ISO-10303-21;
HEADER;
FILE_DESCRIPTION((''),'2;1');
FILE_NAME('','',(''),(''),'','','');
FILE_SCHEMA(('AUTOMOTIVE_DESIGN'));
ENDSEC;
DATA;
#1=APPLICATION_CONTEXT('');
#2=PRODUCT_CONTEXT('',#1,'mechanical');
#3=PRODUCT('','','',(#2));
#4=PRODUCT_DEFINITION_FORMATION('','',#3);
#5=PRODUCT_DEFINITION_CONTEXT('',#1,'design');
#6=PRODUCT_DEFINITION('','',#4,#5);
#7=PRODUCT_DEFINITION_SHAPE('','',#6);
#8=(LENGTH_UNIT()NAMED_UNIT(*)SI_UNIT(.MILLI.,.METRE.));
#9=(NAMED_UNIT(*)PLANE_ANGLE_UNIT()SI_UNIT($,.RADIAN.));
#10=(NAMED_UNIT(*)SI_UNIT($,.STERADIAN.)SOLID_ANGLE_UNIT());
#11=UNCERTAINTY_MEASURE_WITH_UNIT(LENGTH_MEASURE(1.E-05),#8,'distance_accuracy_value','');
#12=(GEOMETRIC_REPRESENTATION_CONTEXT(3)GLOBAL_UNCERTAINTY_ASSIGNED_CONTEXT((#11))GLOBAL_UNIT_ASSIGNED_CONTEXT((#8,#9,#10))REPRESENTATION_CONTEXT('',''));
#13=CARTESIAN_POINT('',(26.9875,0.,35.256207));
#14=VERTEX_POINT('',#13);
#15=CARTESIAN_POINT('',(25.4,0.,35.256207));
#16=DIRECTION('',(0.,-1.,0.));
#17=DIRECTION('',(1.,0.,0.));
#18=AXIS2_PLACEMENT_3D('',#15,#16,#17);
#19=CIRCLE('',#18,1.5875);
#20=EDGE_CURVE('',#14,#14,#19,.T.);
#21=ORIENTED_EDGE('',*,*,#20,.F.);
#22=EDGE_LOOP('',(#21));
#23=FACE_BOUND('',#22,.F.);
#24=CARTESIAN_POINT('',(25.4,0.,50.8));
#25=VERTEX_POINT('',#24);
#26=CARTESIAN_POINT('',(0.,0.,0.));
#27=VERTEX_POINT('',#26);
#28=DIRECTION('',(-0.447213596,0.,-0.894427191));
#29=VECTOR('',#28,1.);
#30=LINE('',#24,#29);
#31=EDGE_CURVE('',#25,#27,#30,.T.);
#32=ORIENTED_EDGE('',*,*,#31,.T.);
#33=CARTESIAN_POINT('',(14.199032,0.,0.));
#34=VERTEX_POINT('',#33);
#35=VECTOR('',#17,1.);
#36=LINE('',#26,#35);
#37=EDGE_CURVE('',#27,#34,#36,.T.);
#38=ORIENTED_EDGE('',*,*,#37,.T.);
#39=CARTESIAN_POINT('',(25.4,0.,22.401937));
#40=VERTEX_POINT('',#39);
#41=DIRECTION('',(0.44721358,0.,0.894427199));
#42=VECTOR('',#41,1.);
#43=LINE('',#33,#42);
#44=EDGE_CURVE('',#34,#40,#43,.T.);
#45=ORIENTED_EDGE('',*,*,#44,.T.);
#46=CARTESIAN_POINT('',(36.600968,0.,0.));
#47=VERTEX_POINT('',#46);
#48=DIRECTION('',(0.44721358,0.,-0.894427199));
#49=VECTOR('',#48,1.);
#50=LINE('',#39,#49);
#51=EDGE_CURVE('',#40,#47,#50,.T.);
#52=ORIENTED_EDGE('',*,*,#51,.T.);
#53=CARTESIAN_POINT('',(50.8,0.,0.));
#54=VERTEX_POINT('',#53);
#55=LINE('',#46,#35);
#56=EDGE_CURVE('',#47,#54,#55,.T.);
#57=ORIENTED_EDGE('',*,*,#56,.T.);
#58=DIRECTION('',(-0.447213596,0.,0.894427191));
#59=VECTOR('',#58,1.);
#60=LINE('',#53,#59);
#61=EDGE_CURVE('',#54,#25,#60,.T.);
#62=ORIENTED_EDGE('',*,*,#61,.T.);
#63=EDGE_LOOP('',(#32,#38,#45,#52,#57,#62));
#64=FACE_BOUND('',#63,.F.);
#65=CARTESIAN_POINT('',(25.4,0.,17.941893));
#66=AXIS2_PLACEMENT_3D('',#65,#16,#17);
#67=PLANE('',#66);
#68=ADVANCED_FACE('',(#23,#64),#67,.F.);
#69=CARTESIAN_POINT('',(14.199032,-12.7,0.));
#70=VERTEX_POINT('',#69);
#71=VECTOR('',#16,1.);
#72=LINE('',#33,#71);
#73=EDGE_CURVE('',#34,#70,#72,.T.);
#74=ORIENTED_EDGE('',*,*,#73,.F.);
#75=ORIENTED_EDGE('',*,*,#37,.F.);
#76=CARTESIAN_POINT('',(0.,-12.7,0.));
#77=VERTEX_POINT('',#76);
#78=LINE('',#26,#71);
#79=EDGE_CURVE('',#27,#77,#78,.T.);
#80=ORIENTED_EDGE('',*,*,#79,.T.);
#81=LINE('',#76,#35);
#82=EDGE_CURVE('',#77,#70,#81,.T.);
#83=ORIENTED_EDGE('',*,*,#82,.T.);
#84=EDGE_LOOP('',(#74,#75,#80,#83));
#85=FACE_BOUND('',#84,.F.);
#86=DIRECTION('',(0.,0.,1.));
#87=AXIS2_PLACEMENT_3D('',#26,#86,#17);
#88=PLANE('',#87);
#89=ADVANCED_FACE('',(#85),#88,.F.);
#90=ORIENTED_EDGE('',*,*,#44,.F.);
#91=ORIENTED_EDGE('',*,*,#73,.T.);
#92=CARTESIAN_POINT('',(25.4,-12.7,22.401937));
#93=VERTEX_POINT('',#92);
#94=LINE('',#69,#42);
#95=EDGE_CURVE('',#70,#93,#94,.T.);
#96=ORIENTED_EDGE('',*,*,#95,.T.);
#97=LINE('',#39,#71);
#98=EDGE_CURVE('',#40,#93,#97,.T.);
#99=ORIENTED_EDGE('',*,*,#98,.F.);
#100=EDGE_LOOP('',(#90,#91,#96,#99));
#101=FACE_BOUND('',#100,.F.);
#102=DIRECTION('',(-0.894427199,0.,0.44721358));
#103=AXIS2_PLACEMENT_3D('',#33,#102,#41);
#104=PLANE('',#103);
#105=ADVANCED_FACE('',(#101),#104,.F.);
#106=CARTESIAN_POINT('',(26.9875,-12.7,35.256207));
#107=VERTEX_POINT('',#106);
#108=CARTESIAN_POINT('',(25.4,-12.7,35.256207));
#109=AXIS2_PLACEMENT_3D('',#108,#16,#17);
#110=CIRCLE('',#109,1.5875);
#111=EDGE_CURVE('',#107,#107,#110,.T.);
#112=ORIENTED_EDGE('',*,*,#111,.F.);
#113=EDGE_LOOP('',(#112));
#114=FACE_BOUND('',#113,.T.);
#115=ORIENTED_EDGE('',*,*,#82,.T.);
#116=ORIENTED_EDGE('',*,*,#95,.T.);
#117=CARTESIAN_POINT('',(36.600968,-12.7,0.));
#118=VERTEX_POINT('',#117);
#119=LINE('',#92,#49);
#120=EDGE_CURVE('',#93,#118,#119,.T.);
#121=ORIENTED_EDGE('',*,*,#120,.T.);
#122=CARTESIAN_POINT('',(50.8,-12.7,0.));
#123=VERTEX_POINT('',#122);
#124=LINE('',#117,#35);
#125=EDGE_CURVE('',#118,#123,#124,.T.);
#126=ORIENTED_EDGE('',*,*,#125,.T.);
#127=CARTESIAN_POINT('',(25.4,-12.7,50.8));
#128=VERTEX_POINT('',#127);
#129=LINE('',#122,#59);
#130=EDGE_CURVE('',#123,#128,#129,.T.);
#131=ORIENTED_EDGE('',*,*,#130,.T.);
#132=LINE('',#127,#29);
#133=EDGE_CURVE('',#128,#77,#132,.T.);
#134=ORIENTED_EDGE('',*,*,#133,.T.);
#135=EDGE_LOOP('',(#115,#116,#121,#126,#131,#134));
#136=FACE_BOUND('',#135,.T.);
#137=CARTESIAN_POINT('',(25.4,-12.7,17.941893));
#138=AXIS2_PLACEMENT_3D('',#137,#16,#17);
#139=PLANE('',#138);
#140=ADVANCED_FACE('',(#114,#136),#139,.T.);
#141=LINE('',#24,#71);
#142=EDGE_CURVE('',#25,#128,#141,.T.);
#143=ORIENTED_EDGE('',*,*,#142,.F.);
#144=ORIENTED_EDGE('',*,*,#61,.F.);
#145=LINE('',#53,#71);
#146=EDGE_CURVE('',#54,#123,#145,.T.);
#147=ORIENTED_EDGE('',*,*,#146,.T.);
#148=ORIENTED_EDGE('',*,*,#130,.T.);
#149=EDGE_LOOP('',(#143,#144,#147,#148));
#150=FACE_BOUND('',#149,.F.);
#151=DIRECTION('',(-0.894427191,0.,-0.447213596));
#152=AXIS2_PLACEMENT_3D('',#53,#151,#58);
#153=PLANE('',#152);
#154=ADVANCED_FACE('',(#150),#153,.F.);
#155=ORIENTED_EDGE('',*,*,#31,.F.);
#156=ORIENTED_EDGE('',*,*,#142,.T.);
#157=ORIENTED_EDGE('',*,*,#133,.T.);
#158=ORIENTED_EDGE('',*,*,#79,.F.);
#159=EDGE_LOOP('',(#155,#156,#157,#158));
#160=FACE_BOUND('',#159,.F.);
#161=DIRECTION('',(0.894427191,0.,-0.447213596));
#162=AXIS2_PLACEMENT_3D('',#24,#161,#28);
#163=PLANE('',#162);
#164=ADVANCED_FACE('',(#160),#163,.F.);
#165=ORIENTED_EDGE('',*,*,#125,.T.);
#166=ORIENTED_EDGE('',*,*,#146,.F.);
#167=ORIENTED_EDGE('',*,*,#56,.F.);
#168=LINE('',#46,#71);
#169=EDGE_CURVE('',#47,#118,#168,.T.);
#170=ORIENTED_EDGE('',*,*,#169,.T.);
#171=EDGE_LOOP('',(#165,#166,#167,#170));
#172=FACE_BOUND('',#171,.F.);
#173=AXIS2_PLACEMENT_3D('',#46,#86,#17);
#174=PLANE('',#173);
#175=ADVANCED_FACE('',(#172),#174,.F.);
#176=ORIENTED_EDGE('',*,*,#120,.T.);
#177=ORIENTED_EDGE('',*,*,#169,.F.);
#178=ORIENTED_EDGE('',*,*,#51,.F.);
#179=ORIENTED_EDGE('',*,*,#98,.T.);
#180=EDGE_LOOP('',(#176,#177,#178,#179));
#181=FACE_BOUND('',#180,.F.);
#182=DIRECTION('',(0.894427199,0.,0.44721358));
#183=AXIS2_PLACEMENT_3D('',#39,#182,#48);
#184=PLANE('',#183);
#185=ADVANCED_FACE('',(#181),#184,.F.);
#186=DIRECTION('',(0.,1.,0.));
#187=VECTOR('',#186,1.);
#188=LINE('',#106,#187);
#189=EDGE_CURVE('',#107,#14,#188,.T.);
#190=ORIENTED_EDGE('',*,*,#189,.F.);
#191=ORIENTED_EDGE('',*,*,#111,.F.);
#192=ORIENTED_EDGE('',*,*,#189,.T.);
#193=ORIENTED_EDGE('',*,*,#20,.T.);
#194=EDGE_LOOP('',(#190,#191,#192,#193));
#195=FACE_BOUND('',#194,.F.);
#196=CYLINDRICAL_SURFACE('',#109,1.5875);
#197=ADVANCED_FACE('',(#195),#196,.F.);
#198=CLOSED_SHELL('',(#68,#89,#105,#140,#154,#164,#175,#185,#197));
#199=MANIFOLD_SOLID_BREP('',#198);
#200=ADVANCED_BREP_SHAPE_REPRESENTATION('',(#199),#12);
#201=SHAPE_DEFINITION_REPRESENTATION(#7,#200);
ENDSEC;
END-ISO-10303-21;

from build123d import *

# Parameters (mm, degrees)
F1_DEPTH = 12.7
F2_R     = 1.5875
F3_DEPTH = 25.4


with BuildPart() as f1:
    # F0 (on Front) → F1 (new body)
    with BuildSketch(Plane.XZ):
        Polygon((25.4, 50.8), (0, 0), (14.199032, 0), (25.4, 22.401937), (36.600968, 0), (50.8, 0), align=None)
    extrude(amount=F1_DEPTH)

    # F2 (on face) → F3 (cut)
    with BuildSketch(Plane.XZ.offset(12.7)):
        with Locations((25.4, 35.256207)):
            Circle(F2_R)
    extrude(amount=-F3_DEPTH, mode=Mode.SUBTRACT)


solid = f1.part
